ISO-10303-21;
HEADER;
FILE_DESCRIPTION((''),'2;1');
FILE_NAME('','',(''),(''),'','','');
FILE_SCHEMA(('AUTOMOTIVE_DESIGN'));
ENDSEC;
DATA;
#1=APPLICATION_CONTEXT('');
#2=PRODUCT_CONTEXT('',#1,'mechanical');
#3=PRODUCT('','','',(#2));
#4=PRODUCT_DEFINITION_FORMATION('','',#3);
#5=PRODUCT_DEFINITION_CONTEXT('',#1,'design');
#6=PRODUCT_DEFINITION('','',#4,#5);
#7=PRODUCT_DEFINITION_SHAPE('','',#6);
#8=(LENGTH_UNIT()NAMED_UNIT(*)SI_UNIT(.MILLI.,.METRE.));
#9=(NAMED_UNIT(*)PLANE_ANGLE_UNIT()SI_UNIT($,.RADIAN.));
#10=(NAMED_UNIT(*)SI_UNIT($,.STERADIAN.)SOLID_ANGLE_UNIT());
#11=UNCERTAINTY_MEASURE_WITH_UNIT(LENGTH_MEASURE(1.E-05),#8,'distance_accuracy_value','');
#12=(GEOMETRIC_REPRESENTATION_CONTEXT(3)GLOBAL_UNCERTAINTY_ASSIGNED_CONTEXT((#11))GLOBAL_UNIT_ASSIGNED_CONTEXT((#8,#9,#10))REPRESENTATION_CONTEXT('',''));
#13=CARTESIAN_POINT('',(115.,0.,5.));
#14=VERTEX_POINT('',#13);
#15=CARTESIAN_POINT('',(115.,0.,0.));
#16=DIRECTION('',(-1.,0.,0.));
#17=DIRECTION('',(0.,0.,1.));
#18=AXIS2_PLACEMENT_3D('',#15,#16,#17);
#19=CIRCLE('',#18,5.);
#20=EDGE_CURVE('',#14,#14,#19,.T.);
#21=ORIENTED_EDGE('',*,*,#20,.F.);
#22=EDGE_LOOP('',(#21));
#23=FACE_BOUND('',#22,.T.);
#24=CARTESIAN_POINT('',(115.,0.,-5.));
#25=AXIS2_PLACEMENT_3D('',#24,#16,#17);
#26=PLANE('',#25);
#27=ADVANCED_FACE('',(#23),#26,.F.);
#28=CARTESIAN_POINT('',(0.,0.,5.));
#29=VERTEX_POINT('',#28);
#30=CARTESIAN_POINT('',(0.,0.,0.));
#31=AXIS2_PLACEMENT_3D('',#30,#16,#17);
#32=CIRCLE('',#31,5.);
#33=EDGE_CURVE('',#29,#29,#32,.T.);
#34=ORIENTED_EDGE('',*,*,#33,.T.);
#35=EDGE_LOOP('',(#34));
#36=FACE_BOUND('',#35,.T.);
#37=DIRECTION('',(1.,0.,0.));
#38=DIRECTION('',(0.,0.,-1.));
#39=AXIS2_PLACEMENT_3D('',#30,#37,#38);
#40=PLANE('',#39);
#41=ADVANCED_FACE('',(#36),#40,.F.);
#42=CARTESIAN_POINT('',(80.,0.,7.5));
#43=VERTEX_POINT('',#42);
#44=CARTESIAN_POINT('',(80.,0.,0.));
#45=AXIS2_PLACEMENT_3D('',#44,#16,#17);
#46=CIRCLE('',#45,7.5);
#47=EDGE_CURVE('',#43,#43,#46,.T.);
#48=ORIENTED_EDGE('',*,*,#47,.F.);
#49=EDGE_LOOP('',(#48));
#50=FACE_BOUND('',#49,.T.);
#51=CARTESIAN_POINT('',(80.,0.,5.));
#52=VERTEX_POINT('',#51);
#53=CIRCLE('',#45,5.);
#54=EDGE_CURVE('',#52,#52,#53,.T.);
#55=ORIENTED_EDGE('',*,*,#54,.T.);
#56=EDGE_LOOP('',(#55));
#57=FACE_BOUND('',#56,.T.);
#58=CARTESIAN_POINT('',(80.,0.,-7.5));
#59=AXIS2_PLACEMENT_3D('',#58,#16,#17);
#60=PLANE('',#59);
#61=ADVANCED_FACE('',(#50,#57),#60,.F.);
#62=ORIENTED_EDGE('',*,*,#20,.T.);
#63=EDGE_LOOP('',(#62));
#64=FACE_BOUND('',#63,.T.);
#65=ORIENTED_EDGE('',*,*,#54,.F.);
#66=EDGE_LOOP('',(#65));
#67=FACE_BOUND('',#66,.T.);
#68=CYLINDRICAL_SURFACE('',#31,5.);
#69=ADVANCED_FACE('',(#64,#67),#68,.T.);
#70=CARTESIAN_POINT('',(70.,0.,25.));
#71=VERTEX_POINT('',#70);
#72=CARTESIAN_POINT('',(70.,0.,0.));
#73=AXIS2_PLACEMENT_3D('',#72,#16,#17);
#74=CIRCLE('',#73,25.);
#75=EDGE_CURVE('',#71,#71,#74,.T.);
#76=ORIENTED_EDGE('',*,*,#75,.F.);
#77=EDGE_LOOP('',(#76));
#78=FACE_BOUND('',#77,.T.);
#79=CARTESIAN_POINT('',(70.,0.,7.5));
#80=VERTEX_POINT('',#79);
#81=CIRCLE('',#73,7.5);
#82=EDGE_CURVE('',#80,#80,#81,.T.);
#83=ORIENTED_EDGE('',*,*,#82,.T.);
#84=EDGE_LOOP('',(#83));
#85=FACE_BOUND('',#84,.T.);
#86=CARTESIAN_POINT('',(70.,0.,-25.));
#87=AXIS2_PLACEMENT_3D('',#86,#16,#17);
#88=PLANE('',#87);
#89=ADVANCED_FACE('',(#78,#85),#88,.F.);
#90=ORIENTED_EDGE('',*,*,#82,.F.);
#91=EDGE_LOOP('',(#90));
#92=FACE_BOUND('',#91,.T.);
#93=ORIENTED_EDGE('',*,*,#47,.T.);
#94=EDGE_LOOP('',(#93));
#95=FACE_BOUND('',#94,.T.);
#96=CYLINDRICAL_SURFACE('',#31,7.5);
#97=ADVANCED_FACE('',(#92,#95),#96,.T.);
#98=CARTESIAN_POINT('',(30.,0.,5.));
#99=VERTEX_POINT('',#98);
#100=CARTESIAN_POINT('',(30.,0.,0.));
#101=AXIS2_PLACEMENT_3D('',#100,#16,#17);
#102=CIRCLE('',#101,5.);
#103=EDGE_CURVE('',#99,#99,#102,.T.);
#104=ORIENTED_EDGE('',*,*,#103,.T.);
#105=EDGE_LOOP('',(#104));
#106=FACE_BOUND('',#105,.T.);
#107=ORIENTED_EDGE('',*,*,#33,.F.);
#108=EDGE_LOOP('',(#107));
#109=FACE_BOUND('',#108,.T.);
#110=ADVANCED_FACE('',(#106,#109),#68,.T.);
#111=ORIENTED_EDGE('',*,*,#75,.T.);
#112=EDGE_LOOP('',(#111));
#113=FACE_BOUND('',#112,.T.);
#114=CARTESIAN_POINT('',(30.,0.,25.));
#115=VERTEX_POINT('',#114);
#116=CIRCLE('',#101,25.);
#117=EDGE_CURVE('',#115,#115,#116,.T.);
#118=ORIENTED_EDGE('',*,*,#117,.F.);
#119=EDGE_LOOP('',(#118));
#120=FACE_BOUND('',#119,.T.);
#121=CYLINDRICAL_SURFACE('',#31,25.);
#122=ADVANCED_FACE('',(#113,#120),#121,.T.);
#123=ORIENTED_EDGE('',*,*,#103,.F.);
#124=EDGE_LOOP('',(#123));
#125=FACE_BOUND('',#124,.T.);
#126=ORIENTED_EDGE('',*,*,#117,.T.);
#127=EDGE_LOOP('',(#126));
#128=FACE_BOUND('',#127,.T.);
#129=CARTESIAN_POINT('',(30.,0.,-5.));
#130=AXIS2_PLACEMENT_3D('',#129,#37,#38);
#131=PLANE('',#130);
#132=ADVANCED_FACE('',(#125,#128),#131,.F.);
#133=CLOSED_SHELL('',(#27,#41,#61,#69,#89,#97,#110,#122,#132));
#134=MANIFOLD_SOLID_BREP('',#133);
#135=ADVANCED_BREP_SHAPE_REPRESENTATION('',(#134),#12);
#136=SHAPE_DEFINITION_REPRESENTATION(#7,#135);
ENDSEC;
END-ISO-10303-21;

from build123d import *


with BuildPart() as part:
    # Sketch1 → Revolve1 (revolve)
    with BuildSketch(Plane(origin=(0, 0, 0), x_dir=(1, 0, 0), z_dir=(0, 1, 0))):
        Polygon((0, 0), (0, 5), (30, 5), (30, 25), (70, 25), (70, 7.5), (80, 7.5), (80, 5), (115, 5), (115, 0), align=None)
    revolve(axis=Axis((0, 0, 0), (1, 0, 0)))


solid = part.part
